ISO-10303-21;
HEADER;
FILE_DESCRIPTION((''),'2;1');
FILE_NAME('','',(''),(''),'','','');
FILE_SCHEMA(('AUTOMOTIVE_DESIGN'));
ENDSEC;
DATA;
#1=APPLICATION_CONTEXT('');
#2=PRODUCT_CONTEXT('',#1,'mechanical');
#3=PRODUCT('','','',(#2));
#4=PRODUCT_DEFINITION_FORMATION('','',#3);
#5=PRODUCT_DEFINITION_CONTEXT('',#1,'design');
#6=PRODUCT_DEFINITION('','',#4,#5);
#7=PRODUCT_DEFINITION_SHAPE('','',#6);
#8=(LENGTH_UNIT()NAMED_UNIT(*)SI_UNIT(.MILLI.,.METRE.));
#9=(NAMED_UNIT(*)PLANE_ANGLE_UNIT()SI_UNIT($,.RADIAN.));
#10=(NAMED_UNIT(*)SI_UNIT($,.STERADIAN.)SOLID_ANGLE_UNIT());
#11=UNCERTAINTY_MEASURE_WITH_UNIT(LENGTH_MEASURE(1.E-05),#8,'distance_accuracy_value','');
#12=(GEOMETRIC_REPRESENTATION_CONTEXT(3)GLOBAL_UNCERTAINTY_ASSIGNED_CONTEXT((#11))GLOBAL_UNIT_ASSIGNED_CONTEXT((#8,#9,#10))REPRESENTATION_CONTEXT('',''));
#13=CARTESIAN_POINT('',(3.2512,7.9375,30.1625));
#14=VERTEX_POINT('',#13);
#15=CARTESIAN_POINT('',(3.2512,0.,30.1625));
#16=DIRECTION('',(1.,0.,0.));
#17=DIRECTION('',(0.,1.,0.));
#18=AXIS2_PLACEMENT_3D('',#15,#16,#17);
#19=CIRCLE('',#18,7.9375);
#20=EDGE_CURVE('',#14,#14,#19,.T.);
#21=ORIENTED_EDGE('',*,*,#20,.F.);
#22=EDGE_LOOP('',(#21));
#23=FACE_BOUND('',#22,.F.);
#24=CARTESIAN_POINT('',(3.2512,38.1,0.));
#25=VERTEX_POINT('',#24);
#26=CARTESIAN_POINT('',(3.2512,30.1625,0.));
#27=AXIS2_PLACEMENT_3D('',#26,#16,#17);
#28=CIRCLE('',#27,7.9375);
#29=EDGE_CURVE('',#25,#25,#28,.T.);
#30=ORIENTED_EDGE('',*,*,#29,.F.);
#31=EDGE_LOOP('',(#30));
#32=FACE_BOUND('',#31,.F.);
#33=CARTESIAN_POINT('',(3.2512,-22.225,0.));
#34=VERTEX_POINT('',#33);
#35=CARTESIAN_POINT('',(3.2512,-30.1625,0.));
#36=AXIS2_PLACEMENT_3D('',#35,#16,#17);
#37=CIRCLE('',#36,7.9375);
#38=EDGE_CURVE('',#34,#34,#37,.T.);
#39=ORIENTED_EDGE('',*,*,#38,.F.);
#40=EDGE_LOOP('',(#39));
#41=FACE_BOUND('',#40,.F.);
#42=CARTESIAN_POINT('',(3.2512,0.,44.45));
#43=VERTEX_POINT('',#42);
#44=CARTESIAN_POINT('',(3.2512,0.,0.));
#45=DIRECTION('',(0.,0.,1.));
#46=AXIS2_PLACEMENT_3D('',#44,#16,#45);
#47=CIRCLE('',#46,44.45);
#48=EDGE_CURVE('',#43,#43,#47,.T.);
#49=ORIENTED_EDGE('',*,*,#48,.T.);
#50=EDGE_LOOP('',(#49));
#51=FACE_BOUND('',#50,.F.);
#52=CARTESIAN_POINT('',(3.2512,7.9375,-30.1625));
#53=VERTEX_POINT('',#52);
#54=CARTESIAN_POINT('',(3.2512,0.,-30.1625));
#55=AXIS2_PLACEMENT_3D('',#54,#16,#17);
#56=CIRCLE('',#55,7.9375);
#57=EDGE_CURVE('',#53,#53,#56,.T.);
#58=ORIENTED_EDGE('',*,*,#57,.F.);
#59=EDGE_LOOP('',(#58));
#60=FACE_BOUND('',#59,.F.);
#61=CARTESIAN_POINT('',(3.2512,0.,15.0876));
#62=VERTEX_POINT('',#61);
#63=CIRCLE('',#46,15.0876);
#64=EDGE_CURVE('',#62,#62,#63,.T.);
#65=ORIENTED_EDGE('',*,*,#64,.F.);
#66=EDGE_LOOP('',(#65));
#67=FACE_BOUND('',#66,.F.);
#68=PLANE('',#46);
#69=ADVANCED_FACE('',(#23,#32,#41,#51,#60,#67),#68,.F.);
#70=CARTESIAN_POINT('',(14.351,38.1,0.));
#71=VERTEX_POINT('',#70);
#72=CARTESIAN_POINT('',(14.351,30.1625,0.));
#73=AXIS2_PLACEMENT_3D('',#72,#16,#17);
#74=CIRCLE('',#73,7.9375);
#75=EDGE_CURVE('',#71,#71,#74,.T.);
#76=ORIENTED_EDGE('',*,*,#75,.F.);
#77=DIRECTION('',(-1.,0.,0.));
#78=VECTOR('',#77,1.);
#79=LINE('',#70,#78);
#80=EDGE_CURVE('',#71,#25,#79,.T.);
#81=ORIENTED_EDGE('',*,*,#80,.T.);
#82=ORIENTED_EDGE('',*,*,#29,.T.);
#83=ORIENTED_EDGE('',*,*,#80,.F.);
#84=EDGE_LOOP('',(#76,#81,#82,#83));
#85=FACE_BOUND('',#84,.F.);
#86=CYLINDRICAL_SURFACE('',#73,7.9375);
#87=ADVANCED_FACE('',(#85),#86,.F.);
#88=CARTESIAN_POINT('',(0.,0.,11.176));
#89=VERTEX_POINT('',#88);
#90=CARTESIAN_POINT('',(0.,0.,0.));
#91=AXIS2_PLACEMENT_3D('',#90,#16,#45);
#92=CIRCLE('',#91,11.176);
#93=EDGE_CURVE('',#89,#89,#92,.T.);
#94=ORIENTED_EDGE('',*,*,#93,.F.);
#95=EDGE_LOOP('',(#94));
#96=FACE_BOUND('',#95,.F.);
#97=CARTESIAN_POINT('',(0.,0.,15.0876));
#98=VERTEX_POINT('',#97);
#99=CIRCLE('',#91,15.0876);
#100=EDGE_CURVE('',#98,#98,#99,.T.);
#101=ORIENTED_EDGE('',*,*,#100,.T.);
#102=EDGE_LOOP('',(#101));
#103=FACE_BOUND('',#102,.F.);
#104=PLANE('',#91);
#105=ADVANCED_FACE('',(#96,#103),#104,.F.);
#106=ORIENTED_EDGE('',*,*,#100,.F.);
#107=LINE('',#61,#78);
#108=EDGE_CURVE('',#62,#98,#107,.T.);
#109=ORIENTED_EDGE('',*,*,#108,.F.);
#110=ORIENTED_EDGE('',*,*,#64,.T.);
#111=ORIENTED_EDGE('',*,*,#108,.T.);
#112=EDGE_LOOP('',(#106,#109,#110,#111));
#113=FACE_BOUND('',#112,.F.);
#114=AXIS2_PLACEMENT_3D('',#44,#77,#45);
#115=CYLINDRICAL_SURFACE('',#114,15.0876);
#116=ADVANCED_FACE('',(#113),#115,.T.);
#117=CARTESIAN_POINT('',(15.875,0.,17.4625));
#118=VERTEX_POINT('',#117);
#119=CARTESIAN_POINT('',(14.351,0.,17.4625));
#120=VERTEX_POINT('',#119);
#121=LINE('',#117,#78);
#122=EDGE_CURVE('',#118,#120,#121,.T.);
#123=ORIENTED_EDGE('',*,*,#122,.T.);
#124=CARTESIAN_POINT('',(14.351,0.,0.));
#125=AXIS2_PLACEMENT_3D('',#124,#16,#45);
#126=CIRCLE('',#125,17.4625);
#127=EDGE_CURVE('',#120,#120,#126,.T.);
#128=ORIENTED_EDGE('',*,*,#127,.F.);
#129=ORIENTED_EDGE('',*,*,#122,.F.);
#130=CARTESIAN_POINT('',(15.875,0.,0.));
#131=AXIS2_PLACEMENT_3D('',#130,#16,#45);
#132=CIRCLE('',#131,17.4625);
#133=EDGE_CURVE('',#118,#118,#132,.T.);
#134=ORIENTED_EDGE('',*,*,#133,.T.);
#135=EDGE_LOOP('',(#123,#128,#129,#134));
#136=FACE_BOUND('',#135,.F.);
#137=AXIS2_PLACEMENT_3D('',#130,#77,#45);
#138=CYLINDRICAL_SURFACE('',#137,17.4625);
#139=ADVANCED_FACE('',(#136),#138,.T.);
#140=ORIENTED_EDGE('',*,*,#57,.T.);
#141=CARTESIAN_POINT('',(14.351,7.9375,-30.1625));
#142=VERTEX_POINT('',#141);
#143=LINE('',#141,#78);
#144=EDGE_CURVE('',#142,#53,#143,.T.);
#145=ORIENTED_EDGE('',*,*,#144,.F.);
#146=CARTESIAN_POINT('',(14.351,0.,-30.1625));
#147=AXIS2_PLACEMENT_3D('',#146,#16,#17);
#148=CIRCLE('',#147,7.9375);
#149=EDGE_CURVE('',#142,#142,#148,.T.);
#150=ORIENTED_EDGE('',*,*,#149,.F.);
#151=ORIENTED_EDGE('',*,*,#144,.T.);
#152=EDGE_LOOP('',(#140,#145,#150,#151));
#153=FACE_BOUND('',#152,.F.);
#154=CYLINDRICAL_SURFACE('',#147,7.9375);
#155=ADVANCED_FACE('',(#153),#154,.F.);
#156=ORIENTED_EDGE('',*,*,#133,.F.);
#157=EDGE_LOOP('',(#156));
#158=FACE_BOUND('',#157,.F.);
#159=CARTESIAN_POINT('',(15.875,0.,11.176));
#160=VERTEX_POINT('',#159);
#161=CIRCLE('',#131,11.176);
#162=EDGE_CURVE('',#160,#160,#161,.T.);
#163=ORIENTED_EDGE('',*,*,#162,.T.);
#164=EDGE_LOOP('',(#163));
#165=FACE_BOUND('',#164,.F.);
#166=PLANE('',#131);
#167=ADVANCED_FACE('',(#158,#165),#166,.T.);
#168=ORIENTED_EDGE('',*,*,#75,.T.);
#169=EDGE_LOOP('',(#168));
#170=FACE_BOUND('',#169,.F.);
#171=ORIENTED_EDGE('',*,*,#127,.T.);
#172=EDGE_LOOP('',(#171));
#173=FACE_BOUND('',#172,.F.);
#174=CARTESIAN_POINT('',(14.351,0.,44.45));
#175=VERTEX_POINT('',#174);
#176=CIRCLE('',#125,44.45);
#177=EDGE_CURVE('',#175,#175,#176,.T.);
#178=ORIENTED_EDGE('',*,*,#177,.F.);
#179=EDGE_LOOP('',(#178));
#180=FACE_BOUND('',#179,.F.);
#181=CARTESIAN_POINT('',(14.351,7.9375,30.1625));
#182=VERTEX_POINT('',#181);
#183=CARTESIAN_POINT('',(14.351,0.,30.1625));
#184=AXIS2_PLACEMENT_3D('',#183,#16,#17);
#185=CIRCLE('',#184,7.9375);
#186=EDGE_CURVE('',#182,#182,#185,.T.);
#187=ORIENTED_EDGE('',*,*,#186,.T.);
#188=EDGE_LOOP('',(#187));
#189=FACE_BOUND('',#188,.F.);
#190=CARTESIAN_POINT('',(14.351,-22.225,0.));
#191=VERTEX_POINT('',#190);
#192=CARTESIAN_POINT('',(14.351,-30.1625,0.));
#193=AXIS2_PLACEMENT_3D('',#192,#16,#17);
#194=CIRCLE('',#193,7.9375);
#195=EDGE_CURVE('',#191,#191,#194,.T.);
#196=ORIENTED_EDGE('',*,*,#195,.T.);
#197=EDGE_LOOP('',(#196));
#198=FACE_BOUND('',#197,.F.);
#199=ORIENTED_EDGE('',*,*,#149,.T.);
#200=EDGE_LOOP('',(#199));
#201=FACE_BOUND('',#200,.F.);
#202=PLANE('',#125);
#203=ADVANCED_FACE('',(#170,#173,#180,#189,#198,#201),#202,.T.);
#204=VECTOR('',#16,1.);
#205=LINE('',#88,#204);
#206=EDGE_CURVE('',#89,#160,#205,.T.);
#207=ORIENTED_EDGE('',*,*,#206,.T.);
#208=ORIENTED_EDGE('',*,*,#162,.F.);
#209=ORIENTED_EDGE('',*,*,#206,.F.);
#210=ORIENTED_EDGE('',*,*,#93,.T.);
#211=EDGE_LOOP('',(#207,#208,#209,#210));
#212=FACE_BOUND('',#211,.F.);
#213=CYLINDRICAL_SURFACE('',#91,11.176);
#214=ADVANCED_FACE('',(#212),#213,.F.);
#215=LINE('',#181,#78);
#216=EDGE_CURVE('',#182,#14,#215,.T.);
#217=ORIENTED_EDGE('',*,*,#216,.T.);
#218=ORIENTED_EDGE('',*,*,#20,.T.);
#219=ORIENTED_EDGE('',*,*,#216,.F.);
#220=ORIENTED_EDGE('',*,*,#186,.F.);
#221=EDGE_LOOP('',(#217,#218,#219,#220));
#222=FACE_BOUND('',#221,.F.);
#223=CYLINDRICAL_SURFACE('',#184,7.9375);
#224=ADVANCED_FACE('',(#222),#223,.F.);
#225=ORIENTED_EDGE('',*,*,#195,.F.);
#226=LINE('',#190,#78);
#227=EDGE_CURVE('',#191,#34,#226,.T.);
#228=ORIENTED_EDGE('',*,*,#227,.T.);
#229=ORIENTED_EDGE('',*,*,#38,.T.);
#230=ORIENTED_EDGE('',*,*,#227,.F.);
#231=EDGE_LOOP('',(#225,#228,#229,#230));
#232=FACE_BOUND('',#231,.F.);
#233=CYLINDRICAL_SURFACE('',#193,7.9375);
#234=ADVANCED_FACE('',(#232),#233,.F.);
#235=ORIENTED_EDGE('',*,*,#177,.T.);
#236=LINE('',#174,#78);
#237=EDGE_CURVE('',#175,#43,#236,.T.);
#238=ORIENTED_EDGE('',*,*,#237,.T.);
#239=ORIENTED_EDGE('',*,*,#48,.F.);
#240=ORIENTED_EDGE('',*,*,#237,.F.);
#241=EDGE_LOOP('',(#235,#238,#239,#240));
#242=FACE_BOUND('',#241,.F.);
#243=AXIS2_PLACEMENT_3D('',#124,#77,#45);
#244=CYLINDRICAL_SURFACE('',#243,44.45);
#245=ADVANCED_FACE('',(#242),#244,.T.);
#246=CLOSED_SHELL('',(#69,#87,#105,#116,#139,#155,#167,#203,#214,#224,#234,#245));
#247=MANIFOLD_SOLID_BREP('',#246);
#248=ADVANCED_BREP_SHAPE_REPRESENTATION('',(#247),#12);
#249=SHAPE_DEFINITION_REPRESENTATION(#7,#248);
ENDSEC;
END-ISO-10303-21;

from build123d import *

# Parameters (mm, degrees)
F2_R     = 7.9375
F3_DEPTH = 25.4


with BuildPart() as f1:
    # F0 (on Front) → F1 (revolve)
    with BuildSketch(Plane.XZ):
        Polygon((0, 15.0876), (0, 11.176), (15.875, 11.176), (15.875, 17.4625), (14.351, 17.4625), (14.351, 44.45), (3.2512, 44.45), (3.2512, 15.0876), align=None)
    revolve(axis=Axis((-2.10265, 0, 0), (1, 0, 0)))

    # F2 (on face) → F3 (cut)
    with BuildSketch(Plane.YZ.offset(14.351)):
        with Locations((0, 30.1625)):
            Circle(F2_R)
        with Locations((30.1625, 0)):
            Circle(F2_R)
        with Locations((-30.1625, 0)):
            Circle(F2_R)
        with Locations((0, -30.1625)):
            Circle(F2_R)
    extrude(amount=-F3_DEPTH, mode=Mode.SUBTRACT)


solid = f1.part
